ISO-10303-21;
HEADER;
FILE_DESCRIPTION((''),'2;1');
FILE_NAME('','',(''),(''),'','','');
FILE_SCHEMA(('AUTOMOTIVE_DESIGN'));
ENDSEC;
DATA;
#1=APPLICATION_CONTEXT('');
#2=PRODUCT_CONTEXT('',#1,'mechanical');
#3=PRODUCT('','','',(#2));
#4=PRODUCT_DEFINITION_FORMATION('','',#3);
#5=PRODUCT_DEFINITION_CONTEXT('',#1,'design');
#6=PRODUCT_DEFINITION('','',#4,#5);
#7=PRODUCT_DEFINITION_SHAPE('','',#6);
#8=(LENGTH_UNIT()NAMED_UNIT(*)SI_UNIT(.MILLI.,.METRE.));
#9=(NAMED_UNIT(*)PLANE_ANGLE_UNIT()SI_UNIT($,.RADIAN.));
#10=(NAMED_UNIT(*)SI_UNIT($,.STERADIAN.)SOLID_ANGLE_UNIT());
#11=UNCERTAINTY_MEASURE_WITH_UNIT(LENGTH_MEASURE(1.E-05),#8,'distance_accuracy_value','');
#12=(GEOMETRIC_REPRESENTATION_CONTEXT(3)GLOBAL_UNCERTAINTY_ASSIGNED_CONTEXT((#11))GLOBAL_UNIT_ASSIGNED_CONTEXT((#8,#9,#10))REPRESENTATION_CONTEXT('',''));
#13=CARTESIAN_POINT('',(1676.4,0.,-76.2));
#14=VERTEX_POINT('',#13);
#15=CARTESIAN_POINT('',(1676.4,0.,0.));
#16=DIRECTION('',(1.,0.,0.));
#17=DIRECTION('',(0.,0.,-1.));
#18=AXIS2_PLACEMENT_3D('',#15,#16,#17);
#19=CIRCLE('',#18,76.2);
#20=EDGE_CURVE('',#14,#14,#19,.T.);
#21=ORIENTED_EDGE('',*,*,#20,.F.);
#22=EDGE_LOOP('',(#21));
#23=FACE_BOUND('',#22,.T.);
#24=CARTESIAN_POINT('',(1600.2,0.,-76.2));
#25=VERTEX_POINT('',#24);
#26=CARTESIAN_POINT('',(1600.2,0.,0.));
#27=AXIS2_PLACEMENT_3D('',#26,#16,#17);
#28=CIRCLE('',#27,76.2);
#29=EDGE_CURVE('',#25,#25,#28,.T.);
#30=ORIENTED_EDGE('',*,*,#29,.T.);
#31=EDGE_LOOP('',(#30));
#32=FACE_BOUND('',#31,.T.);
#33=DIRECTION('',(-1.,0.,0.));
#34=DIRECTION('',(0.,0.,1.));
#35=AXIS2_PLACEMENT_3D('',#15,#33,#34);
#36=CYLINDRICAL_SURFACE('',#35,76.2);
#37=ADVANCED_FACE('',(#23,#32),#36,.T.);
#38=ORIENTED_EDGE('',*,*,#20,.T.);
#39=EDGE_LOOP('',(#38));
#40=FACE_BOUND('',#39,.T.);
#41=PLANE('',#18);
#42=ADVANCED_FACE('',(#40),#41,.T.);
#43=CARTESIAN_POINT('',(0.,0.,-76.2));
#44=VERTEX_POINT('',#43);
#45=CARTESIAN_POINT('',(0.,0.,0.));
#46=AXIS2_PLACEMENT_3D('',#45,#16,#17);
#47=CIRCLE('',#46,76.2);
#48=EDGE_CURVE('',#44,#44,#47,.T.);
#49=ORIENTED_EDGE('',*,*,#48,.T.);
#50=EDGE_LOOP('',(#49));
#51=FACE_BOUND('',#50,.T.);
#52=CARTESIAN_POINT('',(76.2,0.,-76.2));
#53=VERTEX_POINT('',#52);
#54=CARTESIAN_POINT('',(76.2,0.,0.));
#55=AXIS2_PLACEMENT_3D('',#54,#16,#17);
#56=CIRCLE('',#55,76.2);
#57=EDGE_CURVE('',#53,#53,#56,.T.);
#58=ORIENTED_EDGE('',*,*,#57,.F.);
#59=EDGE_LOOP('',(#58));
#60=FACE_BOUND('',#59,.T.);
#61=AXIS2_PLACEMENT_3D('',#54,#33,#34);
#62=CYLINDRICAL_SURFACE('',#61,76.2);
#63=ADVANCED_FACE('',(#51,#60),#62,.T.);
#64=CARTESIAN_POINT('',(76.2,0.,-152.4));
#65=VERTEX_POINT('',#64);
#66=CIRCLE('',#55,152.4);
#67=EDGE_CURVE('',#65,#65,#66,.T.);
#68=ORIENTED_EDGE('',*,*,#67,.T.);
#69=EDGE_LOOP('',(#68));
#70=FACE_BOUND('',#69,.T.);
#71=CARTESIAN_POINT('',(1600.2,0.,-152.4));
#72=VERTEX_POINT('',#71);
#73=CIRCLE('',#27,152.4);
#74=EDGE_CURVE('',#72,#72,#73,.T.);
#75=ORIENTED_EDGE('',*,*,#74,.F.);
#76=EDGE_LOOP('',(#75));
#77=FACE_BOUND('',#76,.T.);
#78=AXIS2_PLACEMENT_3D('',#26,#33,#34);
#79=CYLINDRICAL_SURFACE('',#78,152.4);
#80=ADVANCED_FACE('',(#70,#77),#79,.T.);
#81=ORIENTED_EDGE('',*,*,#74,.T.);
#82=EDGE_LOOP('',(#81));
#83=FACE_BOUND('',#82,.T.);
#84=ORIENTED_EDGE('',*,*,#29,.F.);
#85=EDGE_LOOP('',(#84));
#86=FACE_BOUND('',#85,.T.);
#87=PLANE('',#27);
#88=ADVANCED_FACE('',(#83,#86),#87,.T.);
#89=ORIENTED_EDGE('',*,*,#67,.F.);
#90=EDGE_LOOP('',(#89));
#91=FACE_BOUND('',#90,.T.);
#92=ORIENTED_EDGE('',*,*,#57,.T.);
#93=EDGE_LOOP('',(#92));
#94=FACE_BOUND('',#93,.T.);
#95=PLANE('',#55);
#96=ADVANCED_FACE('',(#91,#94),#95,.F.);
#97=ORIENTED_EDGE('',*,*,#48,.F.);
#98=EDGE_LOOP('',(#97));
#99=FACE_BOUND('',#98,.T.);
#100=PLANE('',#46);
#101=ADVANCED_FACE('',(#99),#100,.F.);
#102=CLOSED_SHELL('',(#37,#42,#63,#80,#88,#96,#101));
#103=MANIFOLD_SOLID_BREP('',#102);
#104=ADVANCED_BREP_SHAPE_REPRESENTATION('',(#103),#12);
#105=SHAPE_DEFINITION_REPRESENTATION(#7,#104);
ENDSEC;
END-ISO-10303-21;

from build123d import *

# Parameters (mm, degrees)
SKETCH1_R           = 76.2
BOSS_EXTRUDE1_DEPTH = 76.2
SKETCH2_R           = 152.4
BOSS_EXTRUDE2_DEPTH = 1524
SKETCH3_R           = 76.2
BOSS_EXTRUDE3_DEPTH = 76.2


with BuildPart() as part:
    # Sketch1 → Boss-Extrude1 (new body)
    with BuildSketch(Plane(origin=(0, 0, 0), x_dir=(0, 0, -1), z_dir=(1, 0, 0))):
        Circle(SKETCH1_R)
    extrude(amount=BOSS_EXTRUDE1_DEPTH)

    # Sketch2 → Boss-Extrude2 (add)
    with BuildSketch(Plane(origin=(76.2, 0, 0), x_dir=(0, 0, -1), z_dir=(1, 0, 0))):
        Circle(SKETCH2_R)
    extrude(amount=BOSS_EXTRUDE2_DEPTH)

    # Sketch3 → Boss-Extrude3 (add)
    with BuildSketch(Plane(origin=(1600.2, 0, 0), x_dir=(0, 0, -1), z_dir=(1, 0, 0))):
        Circle(SKETCH3_R)
    extrude(amount=BOSS_EXTRUDE3_DEPTH)


solid = part.part
